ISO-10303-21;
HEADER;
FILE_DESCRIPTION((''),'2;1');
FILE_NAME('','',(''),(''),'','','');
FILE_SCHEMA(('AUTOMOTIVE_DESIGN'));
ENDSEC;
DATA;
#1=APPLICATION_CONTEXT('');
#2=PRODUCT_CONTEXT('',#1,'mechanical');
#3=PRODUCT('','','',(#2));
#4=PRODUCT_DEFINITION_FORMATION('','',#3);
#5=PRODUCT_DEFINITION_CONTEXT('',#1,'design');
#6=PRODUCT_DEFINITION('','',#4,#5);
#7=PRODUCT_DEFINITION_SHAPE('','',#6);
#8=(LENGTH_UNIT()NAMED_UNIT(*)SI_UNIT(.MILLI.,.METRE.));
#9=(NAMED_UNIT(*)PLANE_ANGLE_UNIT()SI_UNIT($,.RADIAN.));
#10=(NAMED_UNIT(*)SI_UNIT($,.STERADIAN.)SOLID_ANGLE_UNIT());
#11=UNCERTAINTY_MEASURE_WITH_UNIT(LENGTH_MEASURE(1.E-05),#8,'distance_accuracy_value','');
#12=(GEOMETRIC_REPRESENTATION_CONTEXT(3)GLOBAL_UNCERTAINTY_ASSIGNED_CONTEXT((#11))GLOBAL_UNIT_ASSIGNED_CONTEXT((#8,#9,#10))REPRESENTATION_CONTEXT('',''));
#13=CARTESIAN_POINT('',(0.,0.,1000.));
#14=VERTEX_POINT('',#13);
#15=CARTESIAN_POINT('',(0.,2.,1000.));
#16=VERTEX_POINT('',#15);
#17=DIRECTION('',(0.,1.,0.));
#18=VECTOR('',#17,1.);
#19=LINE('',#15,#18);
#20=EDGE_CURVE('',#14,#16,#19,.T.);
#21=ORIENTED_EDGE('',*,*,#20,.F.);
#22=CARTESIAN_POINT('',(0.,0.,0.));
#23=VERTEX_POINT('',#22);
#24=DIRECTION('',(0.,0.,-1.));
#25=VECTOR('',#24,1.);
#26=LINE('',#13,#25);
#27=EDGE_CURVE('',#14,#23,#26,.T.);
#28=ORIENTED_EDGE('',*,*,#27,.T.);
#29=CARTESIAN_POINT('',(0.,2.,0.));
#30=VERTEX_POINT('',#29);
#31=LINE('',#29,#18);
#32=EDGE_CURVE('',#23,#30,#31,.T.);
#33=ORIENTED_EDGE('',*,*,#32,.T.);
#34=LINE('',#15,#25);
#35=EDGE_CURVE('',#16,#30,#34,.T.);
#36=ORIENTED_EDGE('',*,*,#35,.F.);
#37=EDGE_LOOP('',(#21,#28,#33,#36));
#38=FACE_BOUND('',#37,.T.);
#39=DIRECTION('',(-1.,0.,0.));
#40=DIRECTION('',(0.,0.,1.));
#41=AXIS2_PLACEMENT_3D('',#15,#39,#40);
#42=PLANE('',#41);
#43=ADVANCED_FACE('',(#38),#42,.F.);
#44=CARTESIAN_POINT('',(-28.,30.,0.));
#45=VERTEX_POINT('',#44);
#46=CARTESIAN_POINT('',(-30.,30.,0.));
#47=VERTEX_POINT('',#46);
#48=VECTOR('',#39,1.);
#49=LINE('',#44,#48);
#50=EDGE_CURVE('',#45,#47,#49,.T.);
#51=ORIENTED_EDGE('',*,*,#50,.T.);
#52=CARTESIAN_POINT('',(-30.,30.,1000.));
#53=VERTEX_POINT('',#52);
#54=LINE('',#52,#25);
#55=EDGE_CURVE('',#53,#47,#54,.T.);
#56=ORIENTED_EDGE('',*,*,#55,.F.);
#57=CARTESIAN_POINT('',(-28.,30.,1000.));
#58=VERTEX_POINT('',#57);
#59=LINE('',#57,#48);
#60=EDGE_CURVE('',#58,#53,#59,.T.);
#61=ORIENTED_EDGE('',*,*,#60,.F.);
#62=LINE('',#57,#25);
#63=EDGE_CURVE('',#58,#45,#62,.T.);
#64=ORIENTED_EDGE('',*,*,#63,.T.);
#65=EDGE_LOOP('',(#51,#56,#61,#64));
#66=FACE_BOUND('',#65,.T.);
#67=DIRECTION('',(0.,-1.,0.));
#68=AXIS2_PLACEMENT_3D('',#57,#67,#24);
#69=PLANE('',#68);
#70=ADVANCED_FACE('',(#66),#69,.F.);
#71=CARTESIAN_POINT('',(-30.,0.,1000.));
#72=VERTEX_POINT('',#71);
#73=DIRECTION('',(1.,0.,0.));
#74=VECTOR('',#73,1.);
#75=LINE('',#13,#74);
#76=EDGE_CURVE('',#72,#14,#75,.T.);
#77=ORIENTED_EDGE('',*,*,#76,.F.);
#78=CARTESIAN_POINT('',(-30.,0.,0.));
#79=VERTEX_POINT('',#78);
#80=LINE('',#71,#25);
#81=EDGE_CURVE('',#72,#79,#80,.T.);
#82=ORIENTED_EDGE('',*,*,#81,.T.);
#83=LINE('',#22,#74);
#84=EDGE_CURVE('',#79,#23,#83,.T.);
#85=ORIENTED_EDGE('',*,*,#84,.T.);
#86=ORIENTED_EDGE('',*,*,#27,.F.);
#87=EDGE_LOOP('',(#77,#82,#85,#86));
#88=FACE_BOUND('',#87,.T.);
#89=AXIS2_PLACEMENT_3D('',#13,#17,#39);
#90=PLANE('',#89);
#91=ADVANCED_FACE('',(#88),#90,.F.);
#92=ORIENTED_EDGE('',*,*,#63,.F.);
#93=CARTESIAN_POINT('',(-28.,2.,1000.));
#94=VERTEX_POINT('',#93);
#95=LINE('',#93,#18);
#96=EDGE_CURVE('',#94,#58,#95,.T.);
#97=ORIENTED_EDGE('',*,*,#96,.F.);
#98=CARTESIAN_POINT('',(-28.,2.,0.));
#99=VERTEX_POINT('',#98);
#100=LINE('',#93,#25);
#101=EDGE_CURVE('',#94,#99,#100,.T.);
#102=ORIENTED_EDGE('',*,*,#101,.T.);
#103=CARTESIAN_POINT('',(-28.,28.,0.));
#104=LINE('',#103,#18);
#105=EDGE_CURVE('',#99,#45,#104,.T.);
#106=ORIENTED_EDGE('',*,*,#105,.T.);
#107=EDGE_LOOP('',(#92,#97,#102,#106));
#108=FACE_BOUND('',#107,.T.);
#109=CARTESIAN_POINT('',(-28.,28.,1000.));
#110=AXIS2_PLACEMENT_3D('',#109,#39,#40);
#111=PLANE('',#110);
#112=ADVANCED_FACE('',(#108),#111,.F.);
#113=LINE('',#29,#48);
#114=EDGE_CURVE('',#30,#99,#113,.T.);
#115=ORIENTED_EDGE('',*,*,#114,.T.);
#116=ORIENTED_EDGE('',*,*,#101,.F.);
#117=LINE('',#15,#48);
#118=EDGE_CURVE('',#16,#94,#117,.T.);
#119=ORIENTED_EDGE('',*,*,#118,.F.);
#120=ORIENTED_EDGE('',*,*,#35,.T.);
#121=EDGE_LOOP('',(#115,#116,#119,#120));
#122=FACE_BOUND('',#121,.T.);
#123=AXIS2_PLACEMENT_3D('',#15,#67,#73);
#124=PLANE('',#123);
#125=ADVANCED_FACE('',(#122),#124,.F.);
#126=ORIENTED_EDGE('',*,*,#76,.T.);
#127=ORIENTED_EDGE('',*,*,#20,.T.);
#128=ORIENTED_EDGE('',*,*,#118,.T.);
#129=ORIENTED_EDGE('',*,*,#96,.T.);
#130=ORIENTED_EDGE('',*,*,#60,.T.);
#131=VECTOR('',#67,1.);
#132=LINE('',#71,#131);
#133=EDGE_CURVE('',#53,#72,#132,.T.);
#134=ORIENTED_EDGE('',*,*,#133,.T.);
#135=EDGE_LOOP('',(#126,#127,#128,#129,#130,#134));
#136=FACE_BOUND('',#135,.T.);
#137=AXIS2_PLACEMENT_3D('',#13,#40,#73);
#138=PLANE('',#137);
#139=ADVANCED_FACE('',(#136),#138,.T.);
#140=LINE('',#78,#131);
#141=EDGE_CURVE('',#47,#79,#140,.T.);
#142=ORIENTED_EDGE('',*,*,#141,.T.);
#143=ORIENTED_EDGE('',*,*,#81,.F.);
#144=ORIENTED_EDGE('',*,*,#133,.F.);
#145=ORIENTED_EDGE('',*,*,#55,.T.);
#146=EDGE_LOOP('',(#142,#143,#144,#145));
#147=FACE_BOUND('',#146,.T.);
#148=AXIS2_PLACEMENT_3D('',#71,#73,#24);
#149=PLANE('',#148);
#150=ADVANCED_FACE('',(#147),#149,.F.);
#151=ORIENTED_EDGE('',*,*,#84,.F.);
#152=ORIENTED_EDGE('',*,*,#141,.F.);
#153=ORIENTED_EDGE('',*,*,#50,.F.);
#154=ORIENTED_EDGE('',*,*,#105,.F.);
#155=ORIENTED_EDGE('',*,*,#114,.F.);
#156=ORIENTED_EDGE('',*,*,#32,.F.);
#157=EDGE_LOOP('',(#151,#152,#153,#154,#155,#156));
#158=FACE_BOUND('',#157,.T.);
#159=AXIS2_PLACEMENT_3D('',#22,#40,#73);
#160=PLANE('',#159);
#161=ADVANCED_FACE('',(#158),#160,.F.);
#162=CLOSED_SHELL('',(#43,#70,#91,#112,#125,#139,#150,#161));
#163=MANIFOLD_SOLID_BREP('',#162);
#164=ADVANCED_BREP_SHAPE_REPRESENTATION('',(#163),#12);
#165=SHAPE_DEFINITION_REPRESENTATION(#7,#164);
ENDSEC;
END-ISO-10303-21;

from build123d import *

# Parameters (mm, degrees)
BOSS_EXTRUDE1_DEPTH = 1000


with BuildPart() as part:
    # Sketch1 → Boss-Extrude1 (new body)
    with BuildSketch(Plane.XY):
        Polygon((0, 0), (-30, 0), (-30, 30), (-28, 30), (-28, 28), (-28, 2), (0, 2), align=None)
    extrude(amount=BOSS_EXTRUDE1_DEPTH)


solid = part.part
